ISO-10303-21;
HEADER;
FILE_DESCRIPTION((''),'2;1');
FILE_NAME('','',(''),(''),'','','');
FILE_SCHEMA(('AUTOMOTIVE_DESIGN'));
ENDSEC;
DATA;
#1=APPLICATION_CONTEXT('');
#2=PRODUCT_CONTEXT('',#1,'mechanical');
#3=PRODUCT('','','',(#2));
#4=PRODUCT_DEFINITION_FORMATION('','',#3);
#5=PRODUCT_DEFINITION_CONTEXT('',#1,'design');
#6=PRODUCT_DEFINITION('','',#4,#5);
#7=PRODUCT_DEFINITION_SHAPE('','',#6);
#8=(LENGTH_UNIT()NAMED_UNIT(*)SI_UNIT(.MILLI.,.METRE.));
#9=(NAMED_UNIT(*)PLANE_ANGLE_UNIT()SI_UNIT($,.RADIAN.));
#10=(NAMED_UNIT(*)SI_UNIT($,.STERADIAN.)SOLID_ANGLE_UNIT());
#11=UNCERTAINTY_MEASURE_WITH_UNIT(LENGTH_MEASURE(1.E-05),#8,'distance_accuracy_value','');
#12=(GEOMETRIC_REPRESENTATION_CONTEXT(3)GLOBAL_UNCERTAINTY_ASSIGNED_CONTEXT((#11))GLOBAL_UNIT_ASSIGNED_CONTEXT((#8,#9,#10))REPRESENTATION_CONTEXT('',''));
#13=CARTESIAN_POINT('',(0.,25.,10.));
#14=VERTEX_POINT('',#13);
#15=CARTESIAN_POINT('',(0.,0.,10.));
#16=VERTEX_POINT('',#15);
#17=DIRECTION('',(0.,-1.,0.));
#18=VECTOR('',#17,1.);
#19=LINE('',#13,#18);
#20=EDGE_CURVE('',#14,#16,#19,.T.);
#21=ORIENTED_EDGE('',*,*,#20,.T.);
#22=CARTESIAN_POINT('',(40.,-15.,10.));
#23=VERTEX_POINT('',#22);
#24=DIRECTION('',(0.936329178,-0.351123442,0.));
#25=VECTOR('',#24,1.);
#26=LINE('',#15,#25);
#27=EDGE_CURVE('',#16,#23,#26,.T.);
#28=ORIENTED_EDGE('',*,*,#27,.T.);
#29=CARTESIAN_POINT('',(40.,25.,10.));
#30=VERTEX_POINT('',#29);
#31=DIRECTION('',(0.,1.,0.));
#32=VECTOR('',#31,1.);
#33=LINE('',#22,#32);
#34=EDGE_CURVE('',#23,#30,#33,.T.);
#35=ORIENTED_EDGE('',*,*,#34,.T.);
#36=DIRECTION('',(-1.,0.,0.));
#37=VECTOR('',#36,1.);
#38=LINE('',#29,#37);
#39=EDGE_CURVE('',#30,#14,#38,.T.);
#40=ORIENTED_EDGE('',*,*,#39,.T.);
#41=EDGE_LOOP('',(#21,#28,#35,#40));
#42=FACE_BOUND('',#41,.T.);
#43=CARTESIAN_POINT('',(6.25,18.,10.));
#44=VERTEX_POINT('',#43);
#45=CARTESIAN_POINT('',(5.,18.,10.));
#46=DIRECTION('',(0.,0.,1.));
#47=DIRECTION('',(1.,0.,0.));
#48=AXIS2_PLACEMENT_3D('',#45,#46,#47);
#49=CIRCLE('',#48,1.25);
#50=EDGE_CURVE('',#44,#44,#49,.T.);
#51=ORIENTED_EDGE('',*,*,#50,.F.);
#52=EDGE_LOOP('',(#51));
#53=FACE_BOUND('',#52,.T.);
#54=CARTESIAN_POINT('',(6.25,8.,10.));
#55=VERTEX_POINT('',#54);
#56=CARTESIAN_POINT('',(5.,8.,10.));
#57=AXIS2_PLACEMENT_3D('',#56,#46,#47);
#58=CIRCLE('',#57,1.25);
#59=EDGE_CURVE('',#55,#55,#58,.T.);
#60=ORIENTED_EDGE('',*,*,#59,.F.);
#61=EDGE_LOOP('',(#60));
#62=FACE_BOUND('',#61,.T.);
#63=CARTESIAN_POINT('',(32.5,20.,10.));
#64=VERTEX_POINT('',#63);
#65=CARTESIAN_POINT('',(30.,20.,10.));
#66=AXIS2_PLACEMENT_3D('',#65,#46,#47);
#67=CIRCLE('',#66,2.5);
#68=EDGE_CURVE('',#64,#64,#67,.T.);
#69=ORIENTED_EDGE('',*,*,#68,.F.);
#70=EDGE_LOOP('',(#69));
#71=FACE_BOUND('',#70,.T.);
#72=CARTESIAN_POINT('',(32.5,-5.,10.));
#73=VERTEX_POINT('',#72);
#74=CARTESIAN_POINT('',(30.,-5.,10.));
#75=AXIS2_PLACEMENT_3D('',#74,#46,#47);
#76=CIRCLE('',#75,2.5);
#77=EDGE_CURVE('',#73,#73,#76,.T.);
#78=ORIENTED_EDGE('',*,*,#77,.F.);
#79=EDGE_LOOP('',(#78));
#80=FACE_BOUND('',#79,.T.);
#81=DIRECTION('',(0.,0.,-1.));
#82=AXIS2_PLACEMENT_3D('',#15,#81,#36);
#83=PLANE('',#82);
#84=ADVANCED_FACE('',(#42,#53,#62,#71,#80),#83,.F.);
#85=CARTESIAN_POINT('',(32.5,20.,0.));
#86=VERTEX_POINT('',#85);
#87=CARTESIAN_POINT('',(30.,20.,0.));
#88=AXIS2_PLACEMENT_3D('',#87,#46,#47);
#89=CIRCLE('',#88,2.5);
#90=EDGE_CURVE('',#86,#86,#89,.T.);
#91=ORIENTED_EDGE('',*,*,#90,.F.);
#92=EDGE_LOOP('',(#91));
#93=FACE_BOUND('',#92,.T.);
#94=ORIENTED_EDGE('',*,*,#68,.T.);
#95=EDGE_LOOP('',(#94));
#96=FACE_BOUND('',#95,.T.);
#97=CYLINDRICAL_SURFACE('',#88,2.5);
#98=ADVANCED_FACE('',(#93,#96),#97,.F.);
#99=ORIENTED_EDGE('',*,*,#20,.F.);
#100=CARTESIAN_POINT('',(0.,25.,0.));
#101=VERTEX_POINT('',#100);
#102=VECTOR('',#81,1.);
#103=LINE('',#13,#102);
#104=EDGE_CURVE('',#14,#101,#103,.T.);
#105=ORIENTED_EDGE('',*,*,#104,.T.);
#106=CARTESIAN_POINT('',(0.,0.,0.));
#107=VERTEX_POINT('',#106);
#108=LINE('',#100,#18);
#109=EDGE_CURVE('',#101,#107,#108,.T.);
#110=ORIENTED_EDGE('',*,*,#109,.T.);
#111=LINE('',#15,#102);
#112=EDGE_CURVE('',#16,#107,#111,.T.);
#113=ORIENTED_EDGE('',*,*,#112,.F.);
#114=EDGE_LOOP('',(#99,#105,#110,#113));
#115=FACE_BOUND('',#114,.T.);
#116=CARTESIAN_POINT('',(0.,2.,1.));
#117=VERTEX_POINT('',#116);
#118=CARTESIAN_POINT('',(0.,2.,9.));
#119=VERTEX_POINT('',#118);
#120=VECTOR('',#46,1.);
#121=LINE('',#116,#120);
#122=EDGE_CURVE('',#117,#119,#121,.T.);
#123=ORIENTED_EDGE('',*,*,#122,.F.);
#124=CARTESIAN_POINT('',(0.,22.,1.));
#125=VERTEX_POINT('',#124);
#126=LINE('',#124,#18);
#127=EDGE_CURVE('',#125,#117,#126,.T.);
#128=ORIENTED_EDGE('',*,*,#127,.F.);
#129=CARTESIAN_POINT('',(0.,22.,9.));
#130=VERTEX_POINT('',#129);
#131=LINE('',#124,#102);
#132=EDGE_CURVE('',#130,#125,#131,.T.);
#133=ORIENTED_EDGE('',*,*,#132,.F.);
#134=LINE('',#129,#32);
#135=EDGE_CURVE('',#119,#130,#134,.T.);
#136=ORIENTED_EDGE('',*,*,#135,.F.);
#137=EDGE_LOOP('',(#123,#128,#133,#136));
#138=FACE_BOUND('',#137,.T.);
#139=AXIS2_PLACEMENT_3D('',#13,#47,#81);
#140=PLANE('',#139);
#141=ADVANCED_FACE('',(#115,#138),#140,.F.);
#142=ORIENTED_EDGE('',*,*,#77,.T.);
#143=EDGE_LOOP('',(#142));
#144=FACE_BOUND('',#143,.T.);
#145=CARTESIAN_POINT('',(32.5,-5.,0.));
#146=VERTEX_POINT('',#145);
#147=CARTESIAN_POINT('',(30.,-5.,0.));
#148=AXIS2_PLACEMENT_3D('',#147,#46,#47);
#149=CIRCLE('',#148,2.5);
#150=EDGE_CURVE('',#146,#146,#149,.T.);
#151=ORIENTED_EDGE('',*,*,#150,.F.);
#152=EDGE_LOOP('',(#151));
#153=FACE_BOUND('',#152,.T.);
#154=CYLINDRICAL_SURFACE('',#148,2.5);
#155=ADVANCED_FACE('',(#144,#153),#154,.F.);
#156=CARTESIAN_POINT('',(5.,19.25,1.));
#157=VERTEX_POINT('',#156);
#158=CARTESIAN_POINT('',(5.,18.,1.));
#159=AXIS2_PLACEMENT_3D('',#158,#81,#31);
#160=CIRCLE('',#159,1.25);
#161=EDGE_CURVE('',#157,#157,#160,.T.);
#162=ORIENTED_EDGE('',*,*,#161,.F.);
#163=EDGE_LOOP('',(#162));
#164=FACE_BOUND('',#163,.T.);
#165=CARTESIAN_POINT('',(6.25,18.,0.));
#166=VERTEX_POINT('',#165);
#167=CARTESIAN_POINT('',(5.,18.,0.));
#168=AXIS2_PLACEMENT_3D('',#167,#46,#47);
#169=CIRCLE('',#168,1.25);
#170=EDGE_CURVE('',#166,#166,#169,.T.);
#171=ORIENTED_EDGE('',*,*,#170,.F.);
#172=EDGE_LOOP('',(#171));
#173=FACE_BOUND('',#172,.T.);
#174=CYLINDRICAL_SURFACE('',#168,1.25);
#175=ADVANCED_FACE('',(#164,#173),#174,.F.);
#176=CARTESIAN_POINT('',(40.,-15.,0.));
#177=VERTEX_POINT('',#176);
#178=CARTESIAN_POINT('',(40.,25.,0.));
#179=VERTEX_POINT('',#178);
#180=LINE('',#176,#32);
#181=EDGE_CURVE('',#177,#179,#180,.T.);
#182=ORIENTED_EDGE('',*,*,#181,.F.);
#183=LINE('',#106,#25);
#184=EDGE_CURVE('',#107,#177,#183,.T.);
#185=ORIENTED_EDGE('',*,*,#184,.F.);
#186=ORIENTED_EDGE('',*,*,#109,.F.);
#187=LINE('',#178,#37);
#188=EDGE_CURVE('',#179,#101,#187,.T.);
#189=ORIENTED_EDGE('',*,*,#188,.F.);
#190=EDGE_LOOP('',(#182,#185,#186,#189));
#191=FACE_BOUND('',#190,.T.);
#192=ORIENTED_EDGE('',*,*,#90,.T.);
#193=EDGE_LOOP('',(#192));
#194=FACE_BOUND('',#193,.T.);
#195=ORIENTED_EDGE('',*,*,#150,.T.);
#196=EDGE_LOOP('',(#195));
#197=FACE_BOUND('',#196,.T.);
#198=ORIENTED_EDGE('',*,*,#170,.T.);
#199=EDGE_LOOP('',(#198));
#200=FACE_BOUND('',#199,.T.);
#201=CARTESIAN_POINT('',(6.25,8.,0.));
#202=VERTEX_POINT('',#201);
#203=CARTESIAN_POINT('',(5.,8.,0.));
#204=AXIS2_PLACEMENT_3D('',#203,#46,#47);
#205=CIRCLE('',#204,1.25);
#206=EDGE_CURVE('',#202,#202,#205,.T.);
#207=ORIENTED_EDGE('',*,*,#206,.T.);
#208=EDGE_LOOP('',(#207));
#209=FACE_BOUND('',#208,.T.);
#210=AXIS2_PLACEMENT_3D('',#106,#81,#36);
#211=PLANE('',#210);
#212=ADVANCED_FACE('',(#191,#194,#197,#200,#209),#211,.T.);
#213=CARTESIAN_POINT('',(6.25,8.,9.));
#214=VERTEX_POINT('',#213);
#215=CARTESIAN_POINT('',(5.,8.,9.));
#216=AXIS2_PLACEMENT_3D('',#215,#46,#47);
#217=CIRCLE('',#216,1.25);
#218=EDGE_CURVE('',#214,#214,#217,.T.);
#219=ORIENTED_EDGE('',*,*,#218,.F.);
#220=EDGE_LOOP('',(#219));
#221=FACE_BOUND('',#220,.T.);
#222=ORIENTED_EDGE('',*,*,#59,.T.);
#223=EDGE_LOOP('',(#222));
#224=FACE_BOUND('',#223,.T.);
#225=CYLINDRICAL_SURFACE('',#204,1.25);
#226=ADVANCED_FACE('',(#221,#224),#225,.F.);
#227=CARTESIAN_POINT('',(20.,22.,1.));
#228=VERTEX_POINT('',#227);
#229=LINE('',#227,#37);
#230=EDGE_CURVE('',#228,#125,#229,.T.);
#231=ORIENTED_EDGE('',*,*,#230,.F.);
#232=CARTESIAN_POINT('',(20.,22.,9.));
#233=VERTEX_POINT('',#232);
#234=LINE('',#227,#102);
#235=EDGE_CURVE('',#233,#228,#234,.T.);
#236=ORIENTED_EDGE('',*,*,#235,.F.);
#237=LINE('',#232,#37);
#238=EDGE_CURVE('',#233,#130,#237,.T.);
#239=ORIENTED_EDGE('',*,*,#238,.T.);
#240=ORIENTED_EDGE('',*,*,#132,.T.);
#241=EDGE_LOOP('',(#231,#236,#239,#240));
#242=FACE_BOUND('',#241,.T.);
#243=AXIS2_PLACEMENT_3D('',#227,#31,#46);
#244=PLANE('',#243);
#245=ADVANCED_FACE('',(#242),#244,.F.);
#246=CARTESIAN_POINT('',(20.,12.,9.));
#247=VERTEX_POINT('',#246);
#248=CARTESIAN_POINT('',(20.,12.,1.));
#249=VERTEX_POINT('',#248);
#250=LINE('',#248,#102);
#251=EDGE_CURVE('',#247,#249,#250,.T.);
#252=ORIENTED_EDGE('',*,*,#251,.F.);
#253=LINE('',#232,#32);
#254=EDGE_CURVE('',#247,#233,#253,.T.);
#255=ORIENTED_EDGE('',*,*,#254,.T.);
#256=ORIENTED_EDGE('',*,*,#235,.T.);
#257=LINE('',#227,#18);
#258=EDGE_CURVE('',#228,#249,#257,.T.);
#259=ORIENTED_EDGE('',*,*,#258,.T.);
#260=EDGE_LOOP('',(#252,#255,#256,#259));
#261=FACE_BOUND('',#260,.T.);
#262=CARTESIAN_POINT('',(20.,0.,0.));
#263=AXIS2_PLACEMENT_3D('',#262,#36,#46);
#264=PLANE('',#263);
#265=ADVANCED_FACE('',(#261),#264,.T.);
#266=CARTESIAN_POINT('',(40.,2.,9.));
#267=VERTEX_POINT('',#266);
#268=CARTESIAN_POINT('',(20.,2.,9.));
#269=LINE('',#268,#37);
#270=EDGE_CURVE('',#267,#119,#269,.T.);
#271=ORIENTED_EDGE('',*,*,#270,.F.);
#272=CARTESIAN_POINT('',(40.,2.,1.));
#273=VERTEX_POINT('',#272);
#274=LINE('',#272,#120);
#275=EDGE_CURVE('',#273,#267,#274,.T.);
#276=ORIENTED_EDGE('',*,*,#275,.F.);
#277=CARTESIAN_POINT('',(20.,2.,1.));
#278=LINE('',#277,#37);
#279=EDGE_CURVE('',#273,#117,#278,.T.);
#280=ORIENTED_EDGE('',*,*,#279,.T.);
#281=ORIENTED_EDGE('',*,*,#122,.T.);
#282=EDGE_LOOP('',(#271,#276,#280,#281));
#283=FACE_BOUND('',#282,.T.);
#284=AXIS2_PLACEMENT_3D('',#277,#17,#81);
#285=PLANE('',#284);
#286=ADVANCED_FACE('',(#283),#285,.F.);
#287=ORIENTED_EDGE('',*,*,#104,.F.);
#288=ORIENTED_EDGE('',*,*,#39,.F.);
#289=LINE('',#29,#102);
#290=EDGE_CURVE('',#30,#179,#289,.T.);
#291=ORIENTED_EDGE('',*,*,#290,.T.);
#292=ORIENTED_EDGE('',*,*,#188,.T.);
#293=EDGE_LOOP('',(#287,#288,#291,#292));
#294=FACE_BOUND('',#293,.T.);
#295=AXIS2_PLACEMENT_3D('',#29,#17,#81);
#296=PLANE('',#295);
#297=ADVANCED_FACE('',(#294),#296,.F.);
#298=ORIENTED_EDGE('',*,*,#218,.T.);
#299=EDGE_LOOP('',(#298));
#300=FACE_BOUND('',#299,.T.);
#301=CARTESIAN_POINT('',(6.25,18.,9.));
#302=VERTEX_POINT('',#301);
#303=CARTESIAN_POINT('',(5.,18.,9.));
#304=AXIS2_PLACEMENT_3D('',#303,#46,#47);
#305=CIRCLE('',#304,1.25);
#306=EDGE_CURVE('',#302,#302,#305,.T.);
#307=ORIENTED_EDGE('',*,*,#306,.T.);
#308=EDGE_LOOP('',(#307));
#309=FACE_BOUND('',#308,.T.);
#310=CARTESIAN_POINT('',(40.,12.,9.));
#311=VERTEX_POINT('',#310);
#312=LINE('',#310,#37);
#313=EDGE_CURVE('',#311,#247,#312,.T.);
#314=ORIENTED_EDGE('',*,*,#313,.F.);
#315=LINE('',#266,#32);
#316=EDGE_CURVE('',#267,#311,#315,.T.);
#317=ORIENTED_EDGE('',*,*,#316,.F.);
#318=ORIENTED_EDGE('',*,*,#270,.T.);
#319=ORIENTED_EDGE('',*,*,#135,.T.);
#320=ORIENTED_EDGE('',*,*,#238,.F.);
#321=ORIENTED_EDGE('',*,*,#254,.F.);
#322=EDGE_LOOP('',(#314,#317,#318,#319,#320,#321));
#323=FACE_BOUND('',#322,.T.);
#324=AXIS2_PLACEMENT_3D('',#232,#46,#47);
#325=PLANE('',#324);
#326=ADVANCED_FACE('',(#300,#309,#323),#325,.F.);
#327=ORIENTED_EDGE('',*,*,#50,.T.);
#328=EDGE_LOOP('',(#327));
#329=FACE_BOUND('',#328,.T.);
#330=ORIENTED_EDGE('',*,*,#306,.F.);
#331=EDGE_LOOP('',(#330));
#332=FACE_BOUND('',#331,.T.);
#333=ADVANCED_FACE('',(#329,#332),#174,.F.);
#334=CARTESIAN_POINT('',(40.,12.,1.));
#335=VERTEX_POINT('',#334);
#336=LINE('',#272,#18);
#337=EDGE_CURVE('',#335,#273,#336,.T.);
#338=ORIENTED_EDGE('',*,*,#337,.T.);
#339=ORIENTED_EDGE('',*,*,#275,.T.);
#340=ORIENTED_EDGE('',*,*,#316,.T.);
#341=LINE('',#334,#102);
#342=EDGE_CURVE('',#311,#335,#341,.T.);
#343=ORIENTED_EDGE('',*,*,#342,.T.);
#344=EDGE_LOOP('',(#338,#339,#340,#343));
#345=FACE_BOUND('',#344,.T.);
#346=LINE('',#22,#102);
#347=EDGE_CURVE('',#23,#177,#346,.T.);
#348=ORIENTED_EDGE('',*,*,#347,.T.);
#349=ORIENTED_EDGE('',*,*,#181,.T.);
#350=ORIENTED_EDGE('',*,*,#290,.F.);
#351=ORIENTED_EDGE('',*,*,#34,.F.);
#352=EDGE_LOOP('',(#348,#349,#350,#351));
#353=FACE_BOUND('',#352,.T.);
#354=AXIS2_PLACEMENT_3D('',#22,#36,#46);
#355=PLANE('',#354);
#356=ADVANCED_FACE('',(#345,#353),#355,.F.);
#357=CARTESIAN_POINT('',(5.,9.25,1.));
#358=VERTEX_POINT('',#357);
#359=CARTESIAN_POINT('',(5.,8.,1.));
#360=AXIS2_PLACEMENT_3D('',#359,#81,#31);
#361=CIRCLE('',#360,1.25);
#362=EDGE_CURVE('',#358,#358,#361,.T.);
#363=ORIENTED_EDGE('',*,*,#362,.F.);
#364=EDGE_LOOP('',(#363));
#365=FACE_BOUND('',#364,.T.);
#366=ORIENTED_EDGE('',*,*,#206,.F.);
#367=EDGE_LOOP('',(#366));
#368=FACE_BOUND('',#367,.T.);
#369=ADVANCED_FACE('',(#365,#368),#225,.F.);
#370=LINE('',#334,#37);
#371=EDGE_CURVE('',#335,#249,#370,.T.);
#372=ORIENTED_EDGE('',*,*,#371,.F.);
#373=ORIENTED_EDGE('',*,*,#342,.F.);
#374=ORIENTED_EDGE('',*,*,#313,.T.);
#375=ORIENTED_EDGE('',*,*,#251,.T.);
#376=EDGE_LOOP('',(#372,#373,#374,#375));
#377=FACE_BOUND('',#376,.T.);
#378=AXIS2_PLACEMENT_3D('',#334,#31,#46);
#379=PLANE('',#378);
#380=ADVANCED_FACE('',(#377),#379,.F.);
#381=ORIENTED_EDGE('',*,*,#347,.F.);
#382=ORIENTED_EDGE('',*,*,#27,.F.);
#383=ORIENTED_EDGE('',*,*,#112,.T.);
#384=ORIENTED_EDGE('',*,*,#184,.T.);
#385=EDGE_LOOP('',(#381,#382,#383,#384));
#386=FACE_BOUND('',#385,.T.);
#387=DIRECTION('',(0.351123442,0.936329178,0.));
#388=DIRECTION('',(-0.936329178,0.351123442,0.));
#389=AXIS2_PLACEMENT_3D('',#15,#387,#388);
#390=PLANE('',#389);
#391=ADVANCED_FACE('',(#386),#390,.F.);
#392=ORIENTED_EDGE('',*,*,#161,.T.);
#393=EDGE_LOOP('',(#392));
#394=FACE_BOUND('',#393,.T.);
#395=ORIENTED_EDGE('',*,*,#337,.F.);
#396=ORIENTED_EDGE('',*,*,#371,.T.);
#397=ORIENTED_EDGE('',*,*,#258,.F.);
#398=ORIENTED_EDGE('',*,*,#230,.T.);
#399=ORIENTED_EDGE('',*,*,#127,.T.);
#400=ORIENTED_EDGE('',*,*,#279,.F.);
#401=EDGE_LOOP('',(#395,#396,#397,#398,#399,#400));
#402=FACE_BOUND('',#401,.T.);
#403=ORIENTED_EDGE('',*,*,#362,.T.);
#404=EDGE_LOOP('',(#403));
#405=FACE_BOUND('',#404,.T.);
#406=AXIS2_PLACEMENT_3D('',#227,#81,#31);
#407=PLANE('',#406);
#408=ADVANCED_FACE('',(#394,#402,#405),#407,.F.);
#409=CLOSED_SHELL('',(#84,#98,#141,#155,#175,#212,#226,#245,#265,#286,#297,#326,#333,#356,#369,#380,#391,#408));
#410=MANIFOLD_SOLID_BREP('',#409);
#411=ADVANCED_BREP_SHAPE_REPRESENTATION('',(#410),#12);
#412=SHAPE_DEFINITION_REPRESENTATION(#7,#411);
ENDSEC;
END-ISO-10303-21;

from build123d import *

# Parameters (mm, degrees)
BOSS_EXTRUDE1_DEPTH = 10
SKETCH2_W           = 8
SKETCH2_H           = 20
CUT_EXTRUDE1_DEPTH  = 20
SKETCH3_W           = 8
SKETCH3_H           = 10
CUT_EXTRUDE2_DEPTH  = 34.541019662
SKETCH4_R           = 1.25
SKETCH4_R_2         = 2.5
CUT_EXTRUDE3_DEPTH  = 10


with BuildPart() as part:
    # Sketch1 → Boss-Extrude1 (new body)
    with BuildSketch(Plane.XY):
        Polygon((0, 0), (40, -15), (40, 25), (0, 25), align=None)
    extrude(amount=BOSS_EXTRUDE1_DEPTH)

    # Sketch2 → Cut-Extrude1 (cut)
    with BuildSketch(Plane.ZY):
        with Locations((5, 12)):
            Rectangle(SKETCH2_W, SKETCH2_H)
    extrude(amount=-CUT_EXTRUDE1_DEPTH, mode=Mode.SUBTRACT)

    # Sketch3 → Cut-Extrude2 (cut, through all)
    with BuildSketch(Plane.ZY.offset(-20)):
        with Locations((5, 7)):
            Rectangle(SKETCH3_W, SKETCH3_H)
    extrude(amount=-CUT_EXTRUDE2_DEPTH, mode=Mode.SUBTRACT)

    # Sketch4 → Cut-Extrude3 (cut)
    with BuildSketch(Plane.XY.offset(10)):
        with Locations((5, 18)):
            Circle(SKETCH4_R)
        with Locations((5, 8)):
            Circle(SKETCH4_R)
        with Locations((30, 20)):
            Circle(SKETCH4_R_2)
        with Locations((30, -5)):
            Circle(SKETCH4_R_2)
    extrude(amount=-CUT_EXTRUDE3_DEPTH, mode=Mode.SUBTRACT)


solid = part.part
